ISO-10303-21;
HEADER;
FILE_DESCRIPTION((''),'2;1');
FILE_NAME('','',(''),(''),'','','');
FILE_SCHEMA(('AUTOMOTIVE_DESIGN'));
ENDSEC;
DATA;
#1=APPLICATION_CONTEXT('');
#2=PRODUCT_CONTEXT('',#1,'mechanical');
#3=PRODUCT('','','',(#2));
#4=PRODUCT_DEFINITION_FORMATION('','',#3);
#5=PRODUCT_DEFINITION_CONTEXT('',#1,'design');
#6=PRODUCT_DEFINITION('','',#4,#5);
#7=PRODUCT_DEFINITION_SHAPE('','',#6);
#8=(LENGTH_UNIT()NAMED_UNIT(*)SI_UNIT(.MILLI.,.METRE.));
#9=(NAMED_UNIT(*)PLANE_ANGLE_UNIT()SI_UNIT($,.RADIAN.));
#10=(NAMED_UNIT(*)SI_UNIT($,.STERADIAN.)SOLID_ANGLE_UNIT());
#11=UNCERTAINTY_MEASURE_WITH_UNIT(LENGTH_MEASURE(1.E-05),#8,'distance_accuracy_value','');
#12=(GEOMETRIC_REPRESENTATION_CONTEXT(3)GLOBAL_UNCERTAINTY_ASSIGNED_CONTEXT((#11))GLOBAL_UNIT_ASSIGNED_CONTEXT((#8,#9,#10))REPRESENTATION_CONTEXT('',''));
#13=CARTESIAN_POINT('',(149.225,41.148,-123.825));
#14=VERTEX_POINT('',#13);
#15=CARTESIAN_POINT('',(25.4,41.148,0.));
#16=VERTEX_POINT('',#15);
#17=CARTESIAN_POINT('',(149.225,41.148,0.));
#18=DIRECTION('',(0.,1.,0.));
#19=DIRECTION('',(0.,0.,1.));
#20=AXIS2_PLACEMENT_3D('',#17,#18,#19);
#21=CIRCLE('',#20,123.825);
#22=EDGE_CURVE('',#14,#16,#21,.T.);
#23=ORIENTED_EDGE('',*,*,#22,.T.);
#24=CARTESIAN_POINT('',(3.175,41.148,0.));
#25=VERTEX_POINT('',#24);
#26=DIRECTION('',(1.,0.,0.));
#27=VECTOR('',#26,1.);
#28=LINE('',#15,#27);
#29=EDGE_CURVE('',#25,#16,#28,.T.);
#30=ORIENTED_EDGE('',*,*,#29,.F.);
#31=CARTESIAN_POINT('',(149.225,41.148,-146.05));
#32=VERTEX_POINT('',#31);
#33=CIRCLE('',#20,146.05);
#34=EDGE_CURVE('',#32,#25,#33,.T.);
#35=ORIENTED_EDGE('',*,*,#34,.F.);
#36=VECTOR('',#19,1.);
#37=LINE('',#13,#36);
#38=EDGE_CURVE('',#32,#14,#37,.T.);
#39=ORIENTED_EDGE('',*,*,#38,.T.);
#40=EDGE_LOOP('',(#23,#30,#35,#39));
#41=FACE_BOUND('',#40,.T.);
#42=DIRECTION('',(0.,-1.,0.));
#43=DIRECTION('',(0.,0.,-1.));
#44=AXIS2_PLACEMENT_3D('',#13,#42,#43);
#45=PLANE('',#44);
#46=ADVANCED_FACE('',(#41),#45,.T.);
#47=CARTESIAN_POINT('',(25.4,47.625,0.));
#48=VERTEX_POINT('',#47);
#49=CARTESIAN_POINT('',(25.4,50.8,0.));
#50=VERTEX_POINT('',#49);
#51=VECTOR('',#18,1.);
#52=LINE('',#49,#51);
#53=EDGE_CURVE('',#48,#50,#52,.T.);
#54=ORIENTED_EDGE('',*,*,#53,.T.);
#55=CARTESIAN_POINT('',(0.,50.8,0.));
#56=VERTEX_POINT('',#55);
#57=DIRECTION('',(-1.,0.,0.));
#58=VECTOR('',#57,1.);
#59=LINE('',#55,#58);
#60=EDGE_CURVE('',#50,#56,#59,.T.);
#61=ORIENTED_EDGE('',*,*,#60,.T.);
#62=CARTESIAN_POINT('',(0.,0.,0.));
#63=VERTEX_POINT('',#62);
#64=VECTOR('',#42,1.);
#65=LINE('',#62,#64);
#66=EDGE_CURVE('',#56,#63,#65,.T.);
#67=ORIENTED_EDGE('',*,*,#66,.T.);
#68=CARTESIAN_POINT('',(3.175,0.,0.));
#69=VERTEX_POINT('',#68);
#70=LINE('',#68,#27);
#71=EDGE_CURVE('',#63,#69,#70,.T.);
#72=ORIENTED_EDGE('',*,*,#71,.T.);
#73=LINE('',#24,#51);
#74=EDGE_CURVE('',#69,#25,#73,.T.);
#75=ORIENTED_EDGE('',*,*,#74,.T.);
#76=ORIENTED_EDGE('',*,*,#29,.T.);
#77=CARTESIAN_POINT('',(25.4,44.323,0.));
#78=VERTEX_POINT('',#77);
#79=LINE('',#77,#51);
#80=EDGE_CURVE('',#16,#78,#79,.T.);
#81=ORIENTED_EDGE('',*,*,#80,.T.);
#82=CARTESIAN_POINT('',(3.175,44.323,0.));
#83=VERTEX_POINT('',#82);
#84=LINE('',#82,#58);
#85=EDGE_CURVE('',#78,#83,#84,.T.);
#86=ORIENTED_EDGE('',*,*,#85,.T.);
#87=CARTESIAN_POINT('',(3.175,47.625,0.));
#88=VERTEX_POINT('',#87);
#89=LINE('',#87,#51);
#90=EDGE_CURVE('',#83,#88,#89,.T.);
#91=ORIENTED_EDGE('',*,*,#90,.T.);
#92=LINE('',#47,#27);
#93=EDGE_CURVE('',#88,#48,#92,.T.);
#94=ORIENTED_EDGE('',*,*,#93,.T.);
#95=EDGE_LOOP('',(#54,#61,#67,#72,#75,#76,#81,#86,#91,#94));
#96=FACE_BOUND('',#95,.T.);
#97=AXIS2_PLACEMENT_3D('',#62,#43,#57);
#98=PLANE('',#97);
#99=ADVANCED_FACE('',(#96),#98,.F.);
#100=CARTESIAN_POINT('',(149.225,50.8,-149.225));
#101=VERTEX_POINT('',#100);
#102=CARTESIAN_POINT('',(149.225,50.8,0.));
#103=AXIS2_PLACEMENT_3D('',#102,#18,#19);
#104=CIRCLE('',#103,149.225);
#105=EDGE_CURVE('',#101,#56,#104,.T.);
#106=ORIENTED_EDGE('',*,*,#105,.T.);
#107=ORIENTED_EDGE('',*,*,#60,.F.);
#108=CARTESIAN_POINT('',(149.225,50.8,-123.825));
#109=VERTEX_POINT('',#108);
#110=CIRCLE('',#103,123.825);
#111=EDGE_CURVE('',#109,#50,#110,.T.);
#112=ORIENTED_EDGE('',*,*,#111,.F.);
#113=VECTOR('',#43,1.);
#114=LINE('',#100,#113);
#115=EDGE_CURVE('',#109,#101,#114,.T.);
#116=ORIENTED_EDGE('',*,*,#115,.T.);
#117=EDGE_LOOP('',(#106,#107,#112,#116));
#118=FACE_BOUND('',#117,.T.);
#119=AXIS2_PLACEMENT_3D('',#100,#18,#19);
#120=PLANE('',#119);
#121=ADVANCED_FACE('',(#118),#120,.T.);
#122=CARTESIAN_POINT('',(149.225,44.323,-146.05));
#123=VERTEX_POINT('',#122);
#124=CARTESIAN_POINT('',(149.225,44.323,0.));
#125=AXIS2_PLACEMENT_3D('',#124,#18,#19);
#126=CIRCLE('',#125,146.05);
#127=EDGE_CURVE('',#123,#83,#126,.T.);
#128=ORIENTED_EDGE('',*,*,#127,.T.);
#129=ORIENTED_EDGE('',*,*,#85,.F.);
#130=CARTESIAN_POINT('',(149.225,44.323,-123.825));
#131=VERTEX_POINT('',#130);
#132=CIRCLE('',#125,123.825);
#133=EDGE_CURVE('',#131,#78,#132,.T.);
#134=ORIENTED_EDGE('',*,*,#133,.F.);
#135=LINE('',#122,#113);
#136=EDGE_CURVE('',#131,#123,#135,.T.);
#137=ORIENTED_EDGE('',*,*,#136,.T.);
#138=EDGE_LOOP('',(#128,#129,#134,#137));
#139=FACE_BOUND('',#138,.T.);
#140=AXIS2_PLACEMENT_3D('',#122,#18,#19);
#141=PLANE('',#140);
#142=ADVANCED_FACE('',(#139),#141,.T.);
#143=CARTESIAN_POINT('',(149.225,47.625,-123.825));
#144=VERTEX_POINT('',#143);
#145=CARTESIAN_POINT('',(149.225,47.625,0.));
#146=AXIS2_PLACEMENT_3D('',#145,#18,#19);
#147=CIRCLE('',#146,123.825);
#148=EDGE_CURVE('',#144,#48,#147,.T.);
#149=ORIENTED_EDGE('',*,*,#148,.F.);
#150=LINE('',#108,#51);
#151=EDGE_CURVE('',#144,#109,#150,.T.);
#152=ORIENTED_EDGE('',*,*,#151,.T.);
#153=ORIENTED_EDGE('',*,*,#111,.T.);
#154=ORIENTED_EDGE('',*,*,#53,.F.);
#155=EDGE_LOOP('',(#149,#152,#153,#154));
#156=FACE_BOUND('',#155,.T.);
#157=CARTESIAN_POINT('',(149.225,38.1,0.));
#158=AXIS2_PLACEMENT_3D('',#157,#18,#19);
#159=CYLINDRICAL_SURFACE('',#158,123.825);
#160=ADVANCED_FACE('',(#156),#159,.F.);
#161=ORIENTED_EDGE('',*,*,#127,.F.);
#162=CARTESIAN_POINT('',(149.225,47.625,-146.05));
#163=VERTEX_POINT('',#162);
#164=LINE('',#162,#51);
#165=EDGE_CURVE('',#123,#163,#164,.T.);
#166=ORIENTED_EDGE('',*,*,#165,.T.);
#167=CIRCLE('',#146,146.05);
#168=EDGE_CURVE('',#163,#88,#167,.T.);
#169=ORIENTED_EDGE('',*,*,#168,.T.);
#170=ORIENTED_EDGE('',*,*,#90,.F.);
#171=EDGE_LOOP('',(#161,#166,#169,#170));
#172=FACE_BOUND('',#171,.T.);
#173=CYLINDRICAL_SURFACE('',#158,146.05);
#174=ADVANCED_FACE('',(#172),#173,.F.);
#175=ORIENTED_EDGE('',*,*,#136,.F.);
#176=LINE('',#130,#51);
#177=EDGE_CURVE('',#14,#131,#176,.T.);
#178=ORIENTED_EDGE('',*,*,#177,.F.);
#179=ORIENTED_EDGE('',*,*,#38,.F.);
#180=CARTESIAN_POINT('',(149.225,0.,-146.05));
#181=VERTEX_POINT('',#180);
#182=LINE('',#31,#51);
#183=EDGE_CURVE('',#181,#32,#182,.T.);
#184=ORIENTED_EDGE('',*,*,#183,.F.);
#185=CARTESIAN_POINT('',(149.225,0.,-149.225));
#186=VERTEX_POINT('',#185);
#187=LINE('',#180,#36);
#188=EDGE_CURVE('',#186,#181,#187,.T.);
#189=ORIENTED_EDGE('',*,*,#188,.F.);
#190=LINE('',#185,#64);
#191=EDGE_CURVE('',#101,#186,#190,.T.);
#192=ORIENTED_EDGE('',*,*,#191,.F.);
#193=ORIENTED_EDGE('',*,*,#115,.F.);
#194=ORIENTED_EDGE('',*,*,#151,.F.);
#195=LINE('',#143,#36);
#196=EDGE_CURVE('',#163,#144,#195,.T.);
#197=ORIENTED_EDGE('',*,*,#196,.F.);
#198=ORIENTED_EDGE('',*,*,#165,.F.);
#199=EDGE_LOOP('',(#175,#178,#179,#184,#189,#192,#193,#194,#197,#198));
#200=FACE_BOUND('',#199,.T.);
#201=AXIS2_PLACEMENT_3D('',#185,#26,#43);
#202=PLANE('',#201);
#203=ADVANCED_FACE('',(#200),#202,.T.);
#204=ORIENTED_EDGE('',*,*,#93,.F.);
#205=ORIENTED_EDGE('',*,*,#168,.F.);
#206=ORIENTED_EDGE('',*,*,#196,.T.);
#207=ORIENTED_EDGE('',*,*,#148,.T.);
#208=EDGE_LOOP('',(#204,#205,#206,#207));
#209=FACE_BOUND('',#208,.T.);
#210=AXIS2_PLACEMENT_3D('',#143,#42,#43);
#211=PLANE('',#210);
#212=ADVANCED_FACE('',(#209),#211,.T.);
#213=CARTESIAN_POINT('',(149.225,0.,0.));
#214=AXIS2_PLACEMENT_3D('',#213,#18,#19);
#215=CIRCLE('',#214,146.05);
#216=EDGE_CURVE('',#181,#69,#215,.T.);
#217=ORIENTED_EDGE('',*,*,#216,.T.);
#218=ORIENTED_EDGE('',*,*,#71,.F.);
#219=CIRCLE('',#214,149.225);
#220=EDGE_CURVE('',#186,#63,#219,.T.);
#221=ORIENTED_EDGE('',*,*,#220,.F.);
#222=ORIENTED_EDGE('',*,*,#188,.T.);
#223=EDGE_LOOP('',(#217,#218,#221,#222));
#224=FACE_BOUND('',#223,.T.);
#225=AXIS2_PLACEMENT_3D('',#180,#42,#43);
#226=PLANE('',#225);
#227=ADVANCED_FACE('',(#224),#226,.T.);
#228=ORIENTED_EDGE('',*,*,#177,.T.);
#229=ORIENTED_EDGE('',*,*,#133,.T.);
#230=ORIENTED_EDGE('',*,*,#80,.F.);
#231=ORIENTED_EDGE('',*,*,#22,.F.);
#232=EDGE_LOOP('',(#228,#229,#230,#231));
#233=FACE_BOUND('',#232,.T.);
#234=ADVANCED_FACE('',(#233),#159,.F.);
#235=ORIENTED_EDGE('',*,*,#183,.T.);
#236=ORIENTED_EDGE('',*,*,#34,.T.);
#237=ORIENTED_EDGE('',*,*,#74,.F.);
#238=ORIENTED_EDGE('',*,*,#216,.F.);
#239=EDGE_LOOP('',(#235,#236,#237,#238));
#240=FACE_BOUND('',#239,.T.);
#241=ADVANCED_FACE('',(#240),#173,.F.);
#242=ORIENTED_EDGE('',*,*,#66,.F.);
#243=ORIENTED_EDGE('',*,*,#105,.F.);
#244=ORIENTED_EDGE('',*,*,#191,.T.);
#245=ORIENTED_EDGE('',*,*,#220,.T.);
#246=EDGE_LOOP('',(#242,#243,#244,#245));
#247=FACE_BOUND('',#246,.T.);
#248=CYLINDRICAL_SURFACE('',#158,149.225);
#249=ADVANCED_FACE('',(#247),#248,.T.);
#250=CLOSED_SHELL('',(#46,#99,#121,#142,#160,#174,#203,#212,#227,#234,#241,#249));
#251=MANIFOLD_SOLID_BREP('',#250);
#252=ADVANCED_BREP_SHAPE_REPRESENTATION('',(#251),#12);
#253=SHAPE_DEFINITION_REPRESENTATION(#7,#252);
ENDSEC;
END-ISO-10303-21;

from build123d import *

# Parameters (mm, degrees)
REVOLVE1_ANGLE = 90


with BuildPart() as part:
    # Sketch1 → Revolve1 (revolve)
    with BuildSketch(Plane.XY):
        Polygon((0, 0), (0, 50.8), (25.4, 50.8), (25.4, 47.625), (3.175, 47.625), (3.175, 44.323), (25.4, 44.323), (25.4, 41.148), (3.175, 41.148), (3.175, 0), align=None)
    revolve(axis=Axis((149.225, 38.1, 0), (0, -1, 0)), revolution_arc=REVOLVE1_ANGLE)


solid = part.part
